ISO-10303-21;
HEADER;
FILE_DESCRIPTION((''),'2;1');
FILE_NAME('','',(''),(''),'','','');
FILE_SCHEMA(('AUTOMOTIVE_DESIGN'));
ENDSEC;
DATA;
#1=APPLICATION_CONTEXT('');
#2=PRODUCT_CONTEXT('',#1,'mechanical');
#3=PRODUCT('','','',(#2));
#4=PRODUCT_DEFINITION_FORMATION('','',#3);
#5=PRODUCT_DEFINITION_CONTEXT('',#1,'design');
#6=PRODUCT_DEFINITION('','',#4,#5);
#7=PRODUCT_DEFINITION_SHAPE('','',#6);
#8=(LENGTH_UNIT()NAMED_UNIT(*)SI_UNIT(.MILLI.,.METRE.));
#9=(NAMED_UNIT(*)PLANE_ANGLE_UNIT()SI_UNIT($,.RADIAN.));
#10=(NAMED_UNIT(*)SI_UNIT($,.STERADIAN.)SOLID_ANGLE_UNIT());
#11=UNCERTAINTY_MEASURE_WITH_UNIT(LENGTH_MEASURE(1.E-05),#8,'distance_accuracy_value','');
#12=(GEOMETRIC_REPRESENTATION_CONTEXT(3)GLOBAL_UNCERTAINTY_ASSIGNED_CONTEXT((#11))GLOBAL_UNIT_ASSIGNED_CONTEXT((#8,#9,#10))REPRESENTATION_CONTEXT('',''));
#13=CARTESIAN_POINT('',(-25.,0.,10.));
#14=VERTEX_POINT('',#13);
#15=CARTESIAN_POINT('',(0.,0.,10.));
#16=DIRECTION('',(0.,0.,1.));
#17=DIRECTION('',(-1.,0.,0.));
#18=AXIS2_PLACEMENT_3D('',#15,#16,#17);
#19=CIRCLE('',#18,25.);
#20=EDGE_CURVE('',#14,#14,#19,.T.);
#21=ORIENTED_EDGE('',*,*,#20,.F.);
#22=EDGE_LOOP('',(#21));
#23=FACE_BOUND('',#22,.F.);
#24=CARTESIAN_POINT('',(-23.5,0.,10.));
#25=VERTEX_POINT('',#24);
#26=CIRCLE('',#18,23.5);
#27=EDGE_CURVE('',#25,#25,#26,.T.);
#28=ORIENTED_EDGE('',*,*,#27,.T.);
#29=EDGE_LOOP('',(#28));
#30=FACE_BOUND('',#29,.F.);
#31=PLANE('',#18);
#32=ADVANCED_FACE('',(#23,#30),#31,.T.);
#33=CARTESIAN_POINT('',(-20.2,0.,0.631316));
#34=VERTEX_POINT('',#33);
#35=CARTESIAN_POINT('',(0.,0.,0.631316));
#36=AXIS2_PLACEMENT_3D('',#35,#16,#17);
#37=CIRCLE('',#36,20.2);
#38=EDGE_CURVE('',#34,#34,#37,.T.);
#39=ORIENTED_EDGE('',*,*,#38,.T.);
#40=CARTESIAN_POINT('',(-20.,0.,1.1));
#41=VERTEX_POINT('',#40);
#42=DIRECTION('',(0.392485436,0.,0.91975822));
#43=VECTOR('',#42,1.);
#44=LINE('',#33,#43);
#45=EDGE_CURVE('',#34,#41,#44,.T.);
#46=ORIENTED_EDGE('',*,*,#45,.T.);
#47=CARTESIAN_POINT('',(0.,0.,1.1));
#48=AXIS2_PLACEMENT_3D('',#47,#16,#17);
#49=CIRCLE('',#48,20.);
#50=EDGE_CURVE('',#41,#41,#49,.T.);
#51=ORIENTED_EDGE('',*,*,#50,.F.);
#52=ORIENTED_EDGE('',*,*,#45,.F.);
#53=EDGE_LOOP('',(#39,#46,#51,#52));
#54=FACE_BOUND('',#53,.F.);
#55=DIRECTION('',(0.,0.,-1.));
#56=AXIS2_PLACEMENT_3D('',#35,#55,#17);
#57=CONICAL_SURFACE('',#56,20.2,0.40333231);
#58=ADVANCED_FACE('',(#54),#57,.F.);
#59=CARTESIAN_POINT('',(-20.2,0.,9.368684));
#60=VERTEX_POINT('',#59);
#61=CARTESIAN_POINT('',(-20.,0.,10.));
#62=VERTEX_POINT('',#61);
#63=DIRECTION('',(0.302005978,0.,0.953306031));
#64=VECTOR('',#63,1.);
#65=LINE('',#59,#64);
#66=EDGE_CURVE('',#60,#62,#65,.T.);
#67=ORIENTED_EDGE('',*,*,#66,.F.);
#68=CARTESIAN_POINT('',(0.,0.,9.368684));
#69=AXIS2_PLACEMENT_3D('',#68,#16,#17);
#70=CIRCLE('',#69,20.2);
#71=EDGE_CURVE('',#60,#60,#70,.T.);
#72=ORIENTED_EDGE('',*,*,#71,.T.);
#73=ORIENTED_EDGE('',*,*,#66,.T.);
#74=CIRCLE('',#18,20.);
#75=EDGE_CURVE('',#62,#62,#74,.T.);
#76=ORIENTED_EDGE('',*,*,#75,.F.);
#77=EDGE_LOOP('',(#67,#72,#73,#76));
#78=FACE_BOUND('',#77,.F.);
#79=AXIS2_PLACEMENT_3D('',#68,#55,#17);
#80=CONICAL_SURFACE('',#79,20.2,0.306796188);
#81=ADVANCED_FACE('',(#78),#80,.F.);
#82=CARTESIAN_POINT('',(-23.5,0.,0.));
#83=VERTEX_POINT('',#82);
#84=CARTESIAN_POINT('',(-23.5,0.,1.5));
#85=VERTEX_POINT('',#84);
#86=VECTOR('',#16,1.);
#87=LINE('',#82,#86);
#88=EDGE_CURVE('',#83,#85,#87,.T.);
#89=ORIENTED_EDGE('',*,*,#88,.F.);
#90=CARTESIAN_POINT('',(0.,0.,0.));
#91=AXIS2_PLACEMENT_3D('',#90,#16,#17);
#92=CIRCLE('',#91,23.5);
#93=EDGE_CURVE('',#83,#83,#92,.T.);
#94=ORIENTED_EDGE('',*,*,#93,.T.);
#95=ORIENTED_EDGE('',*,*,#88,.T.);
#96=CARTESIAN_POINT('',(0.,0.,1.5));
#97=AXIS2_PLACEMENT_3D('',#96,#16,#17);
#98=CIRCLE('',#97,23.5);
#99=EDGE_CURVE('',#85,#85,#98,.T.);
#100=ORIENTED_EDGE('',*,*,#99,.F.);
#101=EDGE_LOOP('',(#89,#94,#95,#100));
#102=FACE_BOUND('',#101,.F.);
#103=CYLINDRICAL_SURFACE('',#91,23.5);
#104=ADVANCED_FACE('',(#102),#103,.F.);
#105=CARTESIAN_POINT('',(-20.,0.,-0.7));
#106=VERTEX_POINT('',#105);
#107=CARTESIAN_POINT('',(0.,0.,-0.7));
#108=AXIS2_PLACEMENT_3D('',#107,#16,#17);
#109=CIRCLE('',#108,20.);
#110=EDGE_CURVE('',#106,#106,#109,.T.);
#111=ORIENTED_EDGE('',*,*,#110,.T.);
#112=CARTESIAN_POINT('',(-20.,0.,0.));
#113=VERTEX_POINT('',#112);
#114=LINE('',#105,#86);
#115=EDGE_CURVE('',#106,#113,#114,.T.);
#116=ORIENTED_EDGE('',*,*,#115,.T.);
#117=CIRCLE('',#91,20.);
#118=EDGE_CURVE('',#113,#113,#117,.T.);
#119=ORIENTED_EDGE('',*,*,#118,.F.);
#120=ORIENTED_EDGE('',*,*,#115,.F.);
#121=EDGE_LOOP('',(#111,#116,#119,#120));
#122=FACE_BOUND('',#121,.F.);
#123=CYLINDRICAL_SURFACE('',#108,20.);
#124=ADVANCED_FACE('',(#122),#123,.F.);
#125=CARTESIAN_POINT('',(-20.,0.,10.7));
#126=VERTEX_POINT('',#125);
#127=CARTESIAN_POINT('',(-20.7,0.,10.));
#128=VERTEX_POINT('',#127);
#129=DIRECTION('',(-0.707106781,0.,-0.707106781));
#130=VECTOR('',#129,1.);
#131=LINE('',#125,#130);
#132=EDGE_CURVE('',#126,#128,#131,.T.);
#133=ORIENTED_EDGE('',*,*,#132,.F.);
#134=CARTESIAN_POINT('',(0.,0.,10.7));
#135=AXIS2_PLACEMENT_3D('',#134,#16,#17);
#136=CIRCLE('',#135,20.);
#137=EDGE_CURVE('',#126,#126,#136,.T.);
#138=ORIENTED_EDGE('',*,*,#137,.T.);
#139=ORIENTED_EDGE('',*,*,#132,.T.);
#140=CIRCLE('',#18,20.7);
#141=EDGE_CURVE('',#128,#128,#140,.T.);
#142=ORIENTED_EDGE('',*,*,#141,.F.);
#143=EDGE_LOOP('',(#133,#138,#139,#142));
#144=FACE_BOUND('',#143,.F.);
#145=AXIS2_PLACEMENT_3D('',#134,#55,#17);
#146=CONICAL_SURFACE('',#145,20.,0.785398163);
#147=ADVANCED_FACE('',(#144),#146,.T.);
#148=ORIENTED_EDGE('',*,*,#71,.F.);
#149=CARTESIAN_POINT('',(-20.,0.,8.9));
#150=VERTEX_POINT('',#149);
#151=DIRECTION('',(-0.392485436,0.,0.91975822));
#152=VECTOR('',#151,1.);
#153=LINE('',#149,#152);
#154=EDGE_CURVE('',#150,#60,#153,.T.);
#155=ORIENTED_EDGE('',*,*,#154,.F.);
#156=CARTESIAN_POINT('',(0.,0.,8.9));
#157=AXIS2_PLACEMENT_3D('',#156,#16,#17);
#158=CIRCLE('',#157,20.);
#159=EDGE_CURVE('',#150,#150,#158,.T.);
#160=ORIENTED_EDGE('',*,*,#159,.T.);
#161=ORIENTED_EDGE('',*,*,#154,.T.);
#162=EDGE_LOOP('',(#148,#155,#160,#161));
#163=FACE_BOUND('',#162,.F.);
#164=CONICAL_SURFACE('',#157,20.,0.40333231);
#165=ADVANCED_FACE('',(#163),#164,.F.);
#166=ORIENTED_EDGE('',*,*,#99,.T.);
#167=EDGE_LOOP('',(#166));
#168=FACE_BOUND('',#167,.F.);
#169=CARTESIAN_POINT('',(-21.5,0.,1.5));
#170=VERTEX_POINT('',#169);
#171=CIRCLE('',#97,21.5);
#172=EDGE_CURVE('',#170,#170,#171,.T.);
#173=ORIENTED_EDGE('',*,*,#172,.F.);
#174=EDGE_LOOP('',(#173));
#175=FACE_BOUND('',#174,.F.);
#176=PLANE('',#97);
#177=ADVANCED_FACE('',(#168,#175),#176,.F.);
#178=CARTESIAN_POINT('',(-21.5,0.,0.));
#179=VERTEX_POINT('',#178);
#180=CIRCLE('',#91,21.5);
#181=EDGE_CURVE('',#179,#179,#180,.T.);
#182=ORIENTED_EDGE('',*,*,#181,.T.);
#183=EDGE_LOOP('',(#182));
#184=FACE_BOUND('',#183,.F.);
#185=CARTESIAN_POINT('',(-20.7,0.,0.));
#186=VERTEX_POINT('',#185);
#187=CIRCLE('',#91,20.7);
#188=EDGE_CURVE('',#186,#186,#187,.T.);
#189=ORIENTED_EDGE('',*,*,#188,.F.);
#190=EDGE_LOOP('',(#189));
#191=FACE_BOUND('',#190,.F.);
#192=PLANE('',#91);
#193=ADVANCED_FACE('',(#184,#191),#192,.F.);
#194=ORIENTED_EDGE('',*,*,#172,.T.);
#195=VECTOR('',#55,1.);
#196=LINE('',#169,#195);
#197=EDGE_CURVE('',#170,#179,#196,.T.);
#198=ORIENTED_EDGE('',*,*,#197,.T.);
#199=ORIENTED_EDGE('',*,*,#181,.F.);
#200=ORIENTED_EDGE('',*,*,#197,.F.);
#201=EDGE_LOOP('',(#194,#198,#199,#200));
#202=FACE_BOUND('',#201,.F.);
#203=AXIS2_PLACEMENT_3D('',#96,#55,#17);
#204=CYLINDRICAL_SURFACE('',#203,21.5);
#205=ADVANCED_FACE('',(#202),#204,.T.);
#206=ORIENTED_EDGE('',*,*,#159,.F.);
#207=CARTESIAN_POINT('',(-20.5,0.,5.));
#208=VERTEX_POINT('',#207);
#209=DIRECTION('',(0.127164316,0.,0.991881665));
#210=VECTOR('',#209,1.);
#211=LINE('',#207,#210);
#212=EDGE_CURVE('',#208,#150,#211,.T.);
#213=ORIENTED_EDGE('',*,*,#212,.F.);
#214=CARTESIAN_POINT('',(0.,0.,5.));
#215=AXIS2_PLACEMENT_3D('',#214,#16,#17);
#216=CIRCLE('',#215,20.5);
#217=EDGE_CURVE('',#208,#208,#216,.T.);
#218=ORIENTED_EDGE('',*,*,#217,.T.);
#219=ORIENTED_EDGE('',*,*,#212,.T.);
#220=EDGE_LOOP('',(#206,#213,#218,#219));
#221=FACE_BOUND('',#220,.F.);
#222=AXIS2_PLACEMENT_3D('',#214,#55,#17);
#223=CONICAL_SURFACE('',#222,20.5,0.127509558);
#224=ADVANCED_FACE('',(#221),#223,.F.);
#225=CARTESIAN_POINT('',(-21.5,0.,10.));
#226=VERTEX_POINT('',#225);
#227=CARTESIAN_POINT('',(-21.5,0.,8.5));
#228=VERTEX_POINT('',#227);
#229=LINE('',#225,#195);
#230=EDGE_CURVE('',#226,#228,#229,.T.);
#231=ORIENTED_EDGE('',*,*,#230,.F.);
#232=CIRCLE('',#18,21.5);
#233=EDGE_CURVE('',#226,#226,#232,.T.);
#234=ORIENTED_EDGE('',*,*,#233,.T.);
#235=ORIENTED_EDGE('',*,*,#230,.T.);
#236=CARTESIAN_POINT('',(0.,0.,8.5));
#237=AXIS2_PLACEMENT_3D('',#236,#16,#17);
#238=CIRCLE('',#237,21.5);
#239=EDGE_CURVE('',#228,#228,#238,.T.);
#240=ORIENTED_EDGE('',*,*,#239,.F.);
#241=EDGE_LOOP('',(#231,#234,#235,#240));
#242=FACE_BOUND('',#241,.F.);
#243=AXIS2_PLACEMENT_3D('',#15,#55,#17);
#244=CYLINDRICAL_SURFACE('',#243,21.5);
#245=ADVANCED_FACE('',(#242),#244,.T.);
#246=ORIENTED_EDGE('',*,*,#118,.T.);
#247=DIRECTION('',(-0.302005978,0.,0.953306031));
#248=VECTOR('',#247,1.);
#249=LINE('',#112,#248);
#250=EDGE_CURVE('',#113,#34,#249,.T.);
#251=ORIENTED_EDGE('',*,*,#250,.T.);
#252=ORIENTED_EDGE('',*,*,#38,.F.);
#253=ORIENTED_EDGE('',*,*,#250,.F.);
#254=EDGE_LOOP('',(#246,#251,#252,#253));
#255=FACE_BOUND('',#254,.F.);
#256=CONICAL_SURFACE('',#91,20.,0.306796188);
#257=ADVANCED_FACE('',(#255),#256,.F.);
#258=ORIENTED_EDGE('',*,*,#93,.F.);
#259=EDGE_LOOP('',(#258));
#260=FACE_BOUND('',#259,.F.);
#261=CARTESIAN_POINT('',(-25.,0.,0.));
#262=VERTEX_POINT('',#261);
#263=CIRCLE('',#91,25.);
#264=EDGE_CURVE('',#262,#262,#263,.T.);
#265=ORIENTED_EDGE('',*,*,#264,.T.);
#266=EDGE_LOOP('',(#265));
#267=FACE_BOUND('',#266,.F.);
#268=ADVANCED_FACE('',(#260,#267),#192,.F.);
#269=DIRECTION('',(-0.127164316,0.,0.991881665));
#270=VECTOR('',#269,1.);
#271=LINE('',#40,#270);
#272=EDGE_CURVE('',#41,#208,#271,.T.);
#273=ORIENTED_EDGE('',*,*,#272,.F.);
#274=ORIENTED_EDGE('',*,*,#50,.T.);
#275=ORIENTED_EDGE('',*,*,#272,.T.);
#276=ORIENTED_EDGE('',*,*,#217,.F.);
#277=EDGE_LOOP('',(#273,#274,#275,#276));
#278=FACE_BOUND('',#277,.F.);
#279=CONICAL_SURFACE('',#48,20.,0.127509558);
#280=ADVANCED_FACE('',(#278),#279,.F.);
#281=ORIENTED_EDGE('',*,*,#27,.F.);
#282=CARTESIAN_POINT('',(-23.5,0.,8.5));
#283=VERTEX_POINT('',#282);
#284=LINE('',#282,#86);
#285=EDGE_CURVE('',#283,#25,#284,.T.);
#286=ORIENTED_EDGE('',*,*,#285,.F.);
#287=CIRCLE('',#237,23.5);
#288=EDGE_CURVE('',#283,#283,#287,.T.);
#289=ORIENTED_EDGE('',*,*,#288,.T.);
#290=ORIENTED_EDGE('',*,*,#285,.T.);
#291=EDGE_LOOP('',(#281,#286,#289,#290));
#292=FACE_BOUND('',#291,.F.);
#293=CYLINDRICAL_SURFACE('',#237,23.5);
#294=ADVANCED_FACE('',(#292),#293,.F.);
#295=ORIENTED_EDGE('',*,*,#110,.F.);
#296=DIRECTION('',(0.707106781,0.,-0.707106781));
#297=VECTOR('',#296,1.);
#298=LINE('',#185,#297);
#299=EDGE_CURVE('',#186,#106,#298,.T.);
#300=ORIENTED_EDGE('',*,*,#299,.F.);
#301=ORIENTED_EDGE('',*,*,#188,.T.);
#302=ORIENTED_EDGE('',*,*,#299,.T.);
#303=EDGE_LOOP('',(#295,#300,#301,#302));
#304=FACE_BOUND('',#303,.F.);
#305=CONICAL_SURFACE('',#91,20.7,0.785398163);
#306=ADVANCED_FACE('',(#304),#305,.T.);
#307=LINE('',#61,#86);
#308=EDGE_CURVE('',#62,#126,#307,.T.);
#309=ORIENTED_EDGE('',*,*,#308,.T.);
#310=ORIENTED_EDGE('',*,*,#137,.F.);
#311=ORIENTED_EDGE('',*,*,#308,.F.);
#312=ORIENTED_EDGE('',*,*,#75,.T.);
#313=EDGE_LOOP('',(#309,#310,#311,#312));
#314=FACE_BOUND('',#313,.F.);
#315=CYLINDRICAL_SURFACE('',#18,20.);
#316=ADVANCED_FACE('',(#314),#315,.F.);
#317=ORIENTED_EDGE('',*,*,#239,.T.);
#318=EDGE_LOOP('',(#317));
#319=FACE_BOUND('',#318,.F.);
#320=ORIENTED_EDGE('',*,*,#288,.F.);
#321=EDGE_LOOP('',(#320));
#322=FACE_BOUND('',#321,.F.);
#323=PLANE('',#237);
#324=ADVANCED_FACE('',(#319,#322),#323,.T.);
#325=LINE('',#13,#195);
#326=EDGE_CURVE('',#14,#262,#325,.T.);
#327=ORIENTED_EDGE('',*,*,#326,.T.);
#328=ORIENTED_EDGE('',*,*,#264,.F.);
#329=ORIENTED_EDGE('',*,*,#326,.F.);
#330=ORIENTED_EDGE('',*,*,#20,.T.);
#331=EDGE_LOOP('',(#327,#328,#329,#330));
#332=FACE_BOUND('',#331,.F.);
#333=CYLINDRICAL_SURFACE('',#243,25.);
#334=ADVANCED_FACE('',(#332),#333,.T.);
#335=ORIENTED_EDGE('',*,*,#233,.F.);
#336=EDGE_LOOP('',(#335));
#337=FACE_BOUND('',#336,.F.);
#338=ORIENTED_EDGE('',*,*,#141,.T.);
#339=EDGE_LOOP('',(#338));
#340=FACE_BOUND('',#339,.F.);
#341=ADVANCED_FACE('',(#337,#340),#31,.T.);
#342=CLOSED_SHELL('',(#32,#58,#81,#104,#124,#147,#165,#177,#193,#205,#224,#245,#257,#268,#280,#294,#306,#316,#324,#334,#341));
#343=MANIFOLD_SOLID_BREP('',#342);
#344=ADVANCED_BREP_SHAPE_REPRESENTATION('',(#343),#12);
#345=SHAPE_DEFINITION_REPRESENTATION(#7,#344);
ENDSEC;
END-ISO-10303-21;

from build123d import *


with BuildPart() as f1:
    # F0 (on Front) → F1 (revolve)
    with BuildSketch(Plane.XZ):
        Polygon((-25, 10), (-25, 0), (-23.5, 0), (-23.5, 1.5), (-21.5, 1.5), (-21.5, 0), (-20.7, 0), (-20, -0.7), (-20, 0), (-20.2, 0.631316), (-20, 1.1), (-20.5, 5), (-20, 8.9), (-20.2, 9.368684), (-20, 10), (-20, 10.7), (-20.7, 10), (-21.5, 10), (-21.5, 8.5), (-23.5, 8.5), (-23.5, 10), align=None)
    revolve(axis=Axis((0, 0, 18.511054), (0, 0, 1)))


solid = f1.part
